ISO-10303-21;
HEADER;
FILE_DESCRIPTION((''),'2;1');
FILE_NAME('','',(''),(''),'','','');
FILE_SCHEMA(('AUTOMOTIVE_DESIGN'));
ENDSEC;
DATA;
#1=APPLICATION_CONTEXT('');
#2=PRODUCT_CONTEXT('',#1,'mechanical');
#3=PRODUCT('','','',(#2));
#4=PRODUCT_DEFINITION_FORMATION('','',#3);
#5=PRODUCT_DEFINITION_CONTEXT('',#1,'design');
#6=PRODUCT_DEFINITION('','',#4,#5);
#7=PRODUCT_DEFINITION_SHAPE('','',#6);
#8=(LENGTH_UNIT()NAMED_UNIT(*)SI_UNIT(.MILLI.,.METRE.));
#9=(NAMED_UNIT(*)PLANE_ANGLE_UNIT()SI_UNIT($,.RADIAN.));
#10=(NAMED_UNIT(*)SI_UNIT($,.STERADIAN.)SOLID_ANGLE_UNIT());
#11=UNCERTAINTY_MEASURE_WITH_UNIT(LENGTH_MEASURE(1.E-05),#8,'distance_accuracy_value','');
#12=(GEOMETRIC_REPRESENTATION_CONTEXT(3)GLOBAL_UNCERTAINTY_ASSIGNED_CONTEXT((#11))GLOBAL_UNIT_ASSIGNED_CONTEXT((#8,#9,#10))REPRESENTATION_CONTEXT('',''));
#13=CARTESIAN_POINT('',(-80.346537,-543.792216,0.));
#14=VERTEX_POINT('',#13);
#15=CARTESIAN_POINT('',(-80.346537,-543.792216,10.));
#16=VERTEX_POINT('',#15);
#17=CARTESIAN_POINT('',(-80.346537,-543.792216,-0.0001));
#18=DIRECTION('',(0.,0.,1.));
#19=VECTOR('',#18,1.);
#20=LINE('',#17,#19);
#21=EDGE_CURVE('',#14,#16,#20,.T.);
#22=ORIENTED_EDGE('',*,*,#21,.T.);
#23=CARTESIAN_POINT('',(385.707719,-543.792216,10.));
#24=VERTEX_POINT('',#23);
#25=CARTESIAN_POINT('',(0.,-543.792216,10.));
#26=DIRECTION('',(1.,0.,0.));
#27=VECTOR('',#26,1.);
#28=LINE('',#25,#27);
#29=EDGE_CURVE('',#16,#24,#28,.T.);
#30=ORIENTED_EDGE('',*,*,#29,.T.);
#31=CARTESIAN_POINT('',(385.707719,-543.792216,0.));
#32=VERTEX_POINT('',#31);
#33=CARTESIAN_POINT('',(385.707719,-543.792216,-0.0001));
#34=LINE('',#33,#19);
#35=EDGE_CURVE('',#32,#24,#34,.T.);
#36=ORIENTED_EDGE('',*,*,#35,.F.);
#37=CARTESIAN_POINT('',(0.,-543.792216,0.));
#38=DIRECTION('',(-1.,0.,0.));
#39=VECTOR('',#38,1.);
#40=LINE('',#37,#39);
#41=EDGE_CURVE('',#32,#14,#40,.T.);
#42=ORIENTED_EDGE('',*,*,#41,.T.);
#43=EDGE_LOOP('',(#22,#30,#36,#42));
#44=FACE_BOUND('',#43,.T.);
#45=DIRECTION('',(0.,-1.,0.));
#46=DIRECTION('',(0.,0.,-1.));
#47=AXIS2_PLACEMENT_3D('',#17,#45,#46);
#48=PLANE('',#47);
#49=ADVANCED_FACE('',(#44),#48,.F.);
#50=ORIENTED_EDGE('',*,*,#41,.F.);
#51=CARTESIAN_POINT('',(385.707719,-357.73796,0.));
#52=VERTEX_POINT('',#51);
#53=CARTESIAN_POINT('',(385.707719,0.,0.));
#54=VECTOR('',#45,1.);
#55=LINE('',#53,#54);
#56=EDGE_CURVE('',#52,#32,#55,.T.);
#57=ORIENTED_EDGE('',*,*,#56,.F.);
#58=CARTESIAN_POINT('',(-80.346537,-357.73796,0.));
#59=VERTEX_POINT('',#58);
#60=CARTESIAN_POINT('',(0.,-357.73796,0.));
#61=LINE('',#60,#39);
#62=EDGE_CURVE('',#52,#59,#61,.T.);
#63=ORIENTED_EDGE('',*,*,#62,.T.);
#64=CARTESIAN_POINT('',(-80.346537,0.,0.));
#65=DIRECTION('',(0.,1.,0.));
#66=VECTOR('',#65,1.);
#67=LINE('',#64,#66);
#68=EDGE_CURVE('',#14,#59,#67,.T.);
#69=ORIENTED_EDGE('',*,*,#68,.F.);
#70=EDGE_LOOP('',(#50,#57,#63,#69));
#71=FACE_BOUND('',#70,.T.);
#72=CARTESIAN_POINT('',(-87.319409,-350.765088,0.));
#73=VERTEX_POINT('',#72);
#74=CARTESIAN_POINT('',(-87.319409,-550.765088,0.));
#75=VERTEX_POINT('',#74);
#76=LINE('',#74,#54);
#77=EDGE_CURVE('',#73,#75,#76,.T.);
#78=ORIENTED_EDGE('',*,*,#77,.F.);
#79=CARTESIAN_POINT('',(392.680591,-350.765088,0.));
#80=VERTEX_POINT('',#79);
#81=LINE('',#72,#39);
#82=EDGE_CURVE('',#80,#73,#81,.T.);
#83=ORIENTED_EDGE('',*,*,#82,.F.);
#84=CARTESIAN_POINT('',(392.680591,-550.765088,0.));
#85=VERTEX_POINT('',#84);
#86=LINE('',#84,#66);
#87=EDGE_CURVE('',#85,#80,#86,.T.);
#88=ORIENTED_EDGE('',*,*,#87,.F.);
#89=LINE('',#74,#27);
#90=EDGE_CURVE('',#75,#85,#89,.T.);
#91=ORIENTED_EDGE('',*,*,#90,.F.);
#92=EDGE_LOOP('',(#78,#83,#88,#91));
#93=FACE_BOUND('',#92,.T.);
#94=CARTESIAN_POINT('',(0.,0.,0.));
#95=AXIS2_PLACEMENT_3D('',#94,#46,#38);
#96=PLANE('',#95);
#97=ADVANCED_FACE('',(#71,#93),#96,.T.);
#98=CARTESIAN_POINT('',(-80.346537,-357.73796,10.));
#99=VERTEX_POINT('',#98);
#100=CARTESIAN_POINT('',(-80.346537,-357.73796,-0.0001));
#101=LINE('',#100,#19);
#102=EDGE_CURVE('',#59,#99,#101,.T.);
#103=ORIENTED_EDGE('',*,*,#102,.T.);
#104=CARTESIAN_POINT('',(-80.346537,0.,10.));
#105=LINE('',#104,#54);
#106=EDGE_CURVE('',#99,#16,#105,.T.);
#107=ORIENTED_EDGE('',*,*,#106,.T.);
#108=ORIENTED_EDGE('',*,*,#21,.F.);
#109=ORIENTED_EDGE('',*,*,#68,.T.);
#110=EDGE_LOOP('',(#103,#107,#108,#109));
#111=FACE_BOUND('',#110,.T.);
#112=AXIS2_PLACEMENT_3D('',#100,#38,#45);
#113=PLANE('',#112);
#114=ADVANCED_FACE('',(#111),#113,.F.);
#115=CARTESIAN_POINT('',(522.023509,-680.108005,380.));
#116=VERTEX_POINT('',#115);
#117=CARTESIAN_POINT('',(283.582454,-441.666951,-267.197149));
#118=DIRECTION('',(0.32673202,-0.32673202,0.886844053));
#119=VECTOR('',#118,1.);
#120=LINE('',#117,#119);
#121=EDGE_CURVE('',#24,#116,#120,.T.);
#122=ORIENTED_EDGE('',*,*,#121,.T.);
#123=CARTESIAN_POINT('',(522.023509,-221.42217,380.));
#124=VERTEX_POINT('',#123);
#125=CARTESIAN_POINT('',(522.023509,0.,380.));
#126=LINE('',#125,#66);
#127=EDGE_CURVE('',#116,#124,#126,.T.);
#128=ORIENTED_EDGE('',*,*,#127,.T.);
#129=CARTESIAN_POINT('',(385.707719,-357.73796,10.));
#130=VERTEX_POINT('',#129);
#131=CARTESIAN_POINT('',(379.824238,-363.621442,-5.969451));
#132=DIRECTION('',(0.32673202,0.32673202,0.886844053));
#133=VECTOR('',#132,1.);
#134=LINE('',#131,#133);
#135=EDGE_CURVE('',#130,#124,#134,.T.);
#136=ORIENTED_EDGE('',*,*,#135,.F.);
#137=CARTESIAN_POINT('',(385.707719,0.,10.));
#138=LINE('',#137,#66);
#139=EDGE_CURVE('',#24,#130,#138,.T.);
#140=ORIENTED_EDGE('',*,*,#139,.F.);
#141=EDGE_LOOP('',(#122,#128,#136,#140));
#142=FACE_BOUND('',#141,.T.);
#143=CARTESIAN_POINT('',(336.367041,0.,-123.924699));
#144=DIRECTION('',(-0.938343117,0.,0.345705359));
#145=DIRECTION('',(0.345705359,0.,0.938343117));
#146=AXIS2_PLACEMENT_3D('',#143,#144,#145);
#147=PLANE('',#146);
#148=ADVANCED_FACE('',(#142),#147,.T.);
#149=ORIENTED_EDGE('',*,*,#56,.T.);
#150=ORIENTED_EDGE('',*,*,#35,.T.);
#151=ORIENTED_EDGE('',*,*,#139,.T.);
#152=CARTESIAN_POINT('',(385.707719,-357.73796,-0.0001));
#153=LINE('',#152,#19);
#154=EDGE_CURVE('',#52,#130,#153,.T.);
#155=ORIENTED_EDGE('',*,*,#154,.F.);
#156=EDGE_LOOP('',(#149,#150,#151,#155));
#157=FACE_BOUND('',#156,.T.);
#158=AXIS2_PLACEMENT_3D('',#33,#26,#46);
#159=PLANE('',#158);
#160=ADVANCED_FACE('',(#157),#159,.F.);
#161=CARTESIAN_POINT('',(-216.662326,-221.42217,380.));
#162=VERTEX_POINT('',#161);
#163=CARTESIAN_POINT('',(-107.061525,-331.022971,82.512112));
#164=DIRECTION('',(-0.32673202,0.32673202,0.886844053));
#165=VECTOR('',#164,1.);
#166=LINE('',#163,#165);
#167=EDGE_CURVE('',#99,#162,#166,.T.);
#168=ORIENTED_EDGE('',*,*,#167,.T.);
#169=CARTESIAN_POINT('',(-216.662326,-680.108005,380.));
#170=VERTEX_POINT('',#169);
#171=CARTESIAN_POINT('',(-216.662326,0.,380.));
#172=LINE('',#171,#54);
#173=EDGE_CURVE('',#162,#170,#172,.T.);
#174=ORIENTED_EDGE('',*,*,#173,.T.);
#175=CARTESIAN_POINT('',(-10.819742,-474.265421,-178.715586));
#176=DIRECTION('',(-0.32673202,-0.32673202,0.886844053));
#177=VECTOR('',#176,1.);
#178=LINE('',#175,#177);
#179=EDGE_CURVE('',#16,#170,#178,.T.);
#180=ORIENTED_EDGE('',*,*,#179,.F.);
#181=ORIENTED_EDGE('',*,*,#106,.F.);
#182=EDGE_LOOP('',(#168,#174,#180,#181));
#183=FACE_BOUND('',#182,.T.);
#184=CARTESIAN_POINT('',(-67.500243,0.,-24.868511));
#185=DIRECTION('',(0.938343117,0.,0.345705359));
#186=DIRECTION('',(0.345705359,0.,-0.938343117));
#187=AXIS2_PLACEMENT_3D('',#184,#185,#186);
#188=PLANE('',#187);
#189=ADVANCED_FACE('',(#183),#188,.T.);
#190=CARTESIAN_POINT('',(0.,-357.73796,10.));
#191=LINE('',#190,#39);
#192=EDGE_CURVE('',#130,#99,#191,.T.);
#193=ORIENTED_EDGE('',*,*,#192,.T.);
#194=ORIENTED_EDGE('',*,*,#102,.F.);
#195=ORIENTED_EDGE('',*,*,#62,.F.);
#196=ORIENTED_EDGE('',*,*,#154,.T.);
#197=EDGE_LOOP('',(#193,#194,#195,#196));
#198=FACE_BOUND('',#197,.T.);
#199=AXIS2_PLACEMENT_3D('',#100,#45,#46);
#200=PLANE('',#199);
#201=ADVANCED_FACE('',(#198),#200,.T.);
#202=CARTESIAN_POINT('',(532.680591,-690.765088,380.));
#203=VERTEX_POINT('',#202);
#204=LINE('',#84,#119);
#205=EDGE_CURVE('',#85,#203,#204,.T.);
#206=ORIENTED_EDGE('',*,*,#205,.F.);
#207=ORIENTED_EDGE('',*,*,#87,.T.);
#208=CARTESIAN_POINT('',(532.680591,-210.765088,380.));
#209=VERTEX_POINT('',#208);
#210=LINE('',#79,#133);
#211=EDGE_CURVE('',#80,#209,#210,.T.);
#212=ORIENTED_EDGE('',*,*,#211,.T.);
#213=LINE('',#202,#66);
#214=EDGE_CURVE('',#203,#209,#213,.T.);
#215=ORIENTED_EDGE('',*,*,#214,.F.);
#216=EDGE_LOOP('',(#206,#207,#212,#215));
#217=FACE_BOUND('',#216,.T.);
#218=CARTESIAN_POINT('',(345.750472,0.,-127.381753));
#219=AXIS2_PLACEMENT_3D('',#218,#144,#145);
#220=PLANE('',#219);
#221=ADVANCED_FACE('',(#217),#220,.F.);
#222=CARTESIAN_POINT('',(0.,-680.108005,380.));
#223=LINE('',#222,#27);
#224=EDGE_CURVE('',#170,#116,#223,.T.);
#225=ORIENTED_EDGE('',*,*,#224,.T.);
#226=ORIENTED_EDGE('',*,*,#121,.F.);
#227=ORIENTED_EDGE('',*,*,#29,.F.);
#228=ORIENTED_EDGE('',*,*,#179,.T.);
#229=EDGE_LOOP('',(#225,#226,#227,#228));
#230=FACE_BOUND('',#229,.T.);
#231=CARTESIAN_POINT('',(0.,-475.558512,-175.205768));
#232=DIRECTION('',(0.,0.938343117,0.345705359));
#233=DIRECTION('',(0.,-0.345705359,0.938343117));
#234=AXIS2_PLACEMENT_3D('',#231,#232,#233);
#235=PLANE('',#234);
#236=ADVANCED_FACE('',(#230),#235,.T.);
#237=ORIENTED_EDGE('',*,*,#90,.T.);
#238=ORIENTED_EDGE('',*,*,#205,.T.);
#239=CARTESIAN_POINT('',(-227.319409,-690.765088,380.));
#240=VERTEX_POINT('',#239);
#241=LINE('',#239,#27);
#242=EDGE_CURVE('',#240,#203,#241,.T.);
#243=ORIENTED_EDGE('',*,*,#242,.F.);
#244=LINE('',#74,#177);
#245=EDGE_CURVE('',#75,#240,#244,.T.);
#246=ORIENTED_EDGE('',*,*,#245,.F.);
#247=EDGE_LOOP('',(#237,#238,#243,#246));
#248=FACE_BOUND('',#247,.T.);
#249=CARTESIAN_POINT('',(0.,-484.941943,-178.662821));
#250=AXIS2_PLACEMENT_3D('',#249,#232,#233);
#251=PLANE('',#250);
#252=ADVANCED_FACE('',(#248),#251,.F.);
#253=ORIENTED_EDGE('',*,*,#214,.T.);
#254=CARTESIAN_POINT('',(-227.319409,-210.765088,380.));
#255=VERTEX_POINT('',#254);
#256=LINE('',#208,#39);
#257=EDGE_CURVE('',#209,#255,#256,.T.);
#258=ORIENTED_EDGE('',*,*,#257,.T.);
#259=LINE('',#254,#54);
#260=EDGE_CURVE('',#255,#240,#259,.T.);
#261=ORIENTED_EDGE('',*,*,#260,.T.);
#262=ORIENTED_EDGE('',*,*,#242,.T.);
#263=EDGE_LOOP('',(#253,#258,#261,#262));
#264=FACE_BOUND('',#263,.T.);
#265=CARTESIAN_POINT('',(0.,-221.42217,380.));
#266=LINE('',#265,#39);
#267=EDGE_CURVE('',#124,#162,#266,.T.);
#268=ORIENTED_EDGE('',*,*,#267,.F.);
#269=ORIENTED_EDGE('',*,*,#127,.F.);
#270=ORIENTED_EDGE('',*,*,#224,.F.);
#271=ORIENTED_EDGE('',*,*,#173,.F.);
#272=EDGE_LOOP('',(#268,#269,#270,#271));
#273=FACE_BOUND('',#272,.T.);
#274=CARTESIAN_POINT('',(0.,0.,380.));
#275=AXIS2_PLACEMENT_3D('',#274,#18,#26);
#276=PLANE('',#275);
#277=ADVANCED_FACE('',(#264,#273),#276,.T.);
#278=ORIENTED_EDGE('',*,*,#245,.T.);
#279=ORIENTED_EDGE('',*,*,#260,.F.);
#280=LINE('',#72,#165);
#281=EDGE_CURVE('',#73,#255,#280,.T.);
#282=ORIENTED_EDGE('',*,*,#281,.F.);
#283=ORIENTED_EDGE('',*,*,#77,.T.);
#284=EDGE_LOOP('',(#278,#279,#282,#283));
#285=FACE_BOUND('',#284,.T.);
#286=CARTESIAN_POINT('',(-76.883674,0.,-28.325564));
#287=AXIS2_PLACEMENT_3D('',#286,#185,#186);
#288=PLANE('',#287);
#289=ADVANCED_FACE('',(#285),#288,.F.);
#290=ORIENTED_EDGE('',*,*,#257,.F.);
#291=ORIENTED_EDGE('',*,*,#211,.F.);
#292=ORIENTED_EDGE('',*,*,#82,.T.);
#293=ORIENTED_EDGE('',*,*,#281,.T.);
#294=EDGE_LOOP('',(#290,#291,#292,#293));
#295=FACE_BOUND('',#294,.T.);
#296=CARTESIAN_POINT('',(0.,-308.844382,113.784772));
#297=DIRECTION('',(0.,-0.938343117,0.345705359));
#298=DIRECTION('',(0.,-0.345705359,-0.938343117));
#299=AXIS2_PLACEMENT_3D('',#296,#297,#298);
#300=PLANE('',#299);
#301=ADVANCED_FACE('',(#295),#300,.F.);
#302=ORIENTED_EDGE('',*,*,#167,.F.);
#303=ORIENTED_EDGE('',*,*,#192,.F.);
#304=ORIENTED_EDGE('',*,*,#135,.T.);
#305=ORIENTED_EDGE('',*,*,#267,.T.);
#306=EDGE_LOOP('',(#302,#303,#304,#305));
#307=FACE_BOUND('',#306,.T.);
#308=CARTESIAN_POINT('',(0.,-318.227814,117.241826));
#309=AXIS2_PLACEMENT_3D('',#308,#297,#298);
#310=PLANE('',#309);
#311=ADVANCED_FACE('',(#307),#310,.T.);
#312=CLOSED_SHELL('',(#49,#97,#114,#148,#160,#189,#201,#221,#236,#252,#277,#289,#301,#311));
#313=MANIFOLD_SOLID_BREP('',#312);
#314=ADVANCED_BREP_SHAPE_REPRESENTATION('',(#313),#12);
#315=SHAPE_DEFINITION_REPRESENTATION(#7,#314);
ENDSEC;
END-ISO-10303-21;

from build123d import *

# Parameters (mm, degrees)
SHELL1_T            = -10
CUT_EXTRUDE14_DEPTH = 948.525735605


with BuildPart() as part:
    # Sketch17 → Loft1 section 0
    with BuildSketch(Plane.XY):
        with BuildLine():
            Line((-87.319408537, -550.76508799), (392.680591463, -550.76508799))
            Line((392.680591463, -550.76508799), (392.680591463, -350.76508799))
            Line((392.680591463, -350.76508799), (-87.319408537, -350.76508799))
            Line((-87.319408537, -350.76508799), (-87.319408537, -550.76508799))
        make_face()
    # Sketch18 → Loft1 section 1
    with BuildSketch(Plane.XY.offset(380)):
        with BuildLine():
            Line((-227.319408537, -690.76508799), (532.680591463, -690.76508799))
            Line((532.680591463, -690.76508799), (532.680591463, -210.76508799))
            Line((532.680591463, -210.76508799), (-227.319408537, -210.76508799))
            Line((-227.319408537, -210.76508799), (-227.319408537, -690.76508799))
        make_face()
    loft()

    # Shell1
    shell1_openings = [part.faces().sort_by_distance(p)[0] for p in [
        (152.680591463, -450.76508799, 380),
    ]]
    offset(amount=SHELL1_T, openings=shell1_openings, kind=Kind.INTERSECTION)

    # Sketch19 → Cut-Extrude14 (cut, through all)
    with BuildSketch(Plane.XY.offset(10)):
        Polygon((-80.346536573, -357.737959954), (105.707719499, -357.737959954), (385.707719499, -357.737959954), (385.707719499, -543.792216026), (-80.346536573, -543.792216026), align=None)
    extrude(amount=-CUT_EXTRUDE14_DEPTH, mode=Mode.SUBTRACT)


solid = part.part
